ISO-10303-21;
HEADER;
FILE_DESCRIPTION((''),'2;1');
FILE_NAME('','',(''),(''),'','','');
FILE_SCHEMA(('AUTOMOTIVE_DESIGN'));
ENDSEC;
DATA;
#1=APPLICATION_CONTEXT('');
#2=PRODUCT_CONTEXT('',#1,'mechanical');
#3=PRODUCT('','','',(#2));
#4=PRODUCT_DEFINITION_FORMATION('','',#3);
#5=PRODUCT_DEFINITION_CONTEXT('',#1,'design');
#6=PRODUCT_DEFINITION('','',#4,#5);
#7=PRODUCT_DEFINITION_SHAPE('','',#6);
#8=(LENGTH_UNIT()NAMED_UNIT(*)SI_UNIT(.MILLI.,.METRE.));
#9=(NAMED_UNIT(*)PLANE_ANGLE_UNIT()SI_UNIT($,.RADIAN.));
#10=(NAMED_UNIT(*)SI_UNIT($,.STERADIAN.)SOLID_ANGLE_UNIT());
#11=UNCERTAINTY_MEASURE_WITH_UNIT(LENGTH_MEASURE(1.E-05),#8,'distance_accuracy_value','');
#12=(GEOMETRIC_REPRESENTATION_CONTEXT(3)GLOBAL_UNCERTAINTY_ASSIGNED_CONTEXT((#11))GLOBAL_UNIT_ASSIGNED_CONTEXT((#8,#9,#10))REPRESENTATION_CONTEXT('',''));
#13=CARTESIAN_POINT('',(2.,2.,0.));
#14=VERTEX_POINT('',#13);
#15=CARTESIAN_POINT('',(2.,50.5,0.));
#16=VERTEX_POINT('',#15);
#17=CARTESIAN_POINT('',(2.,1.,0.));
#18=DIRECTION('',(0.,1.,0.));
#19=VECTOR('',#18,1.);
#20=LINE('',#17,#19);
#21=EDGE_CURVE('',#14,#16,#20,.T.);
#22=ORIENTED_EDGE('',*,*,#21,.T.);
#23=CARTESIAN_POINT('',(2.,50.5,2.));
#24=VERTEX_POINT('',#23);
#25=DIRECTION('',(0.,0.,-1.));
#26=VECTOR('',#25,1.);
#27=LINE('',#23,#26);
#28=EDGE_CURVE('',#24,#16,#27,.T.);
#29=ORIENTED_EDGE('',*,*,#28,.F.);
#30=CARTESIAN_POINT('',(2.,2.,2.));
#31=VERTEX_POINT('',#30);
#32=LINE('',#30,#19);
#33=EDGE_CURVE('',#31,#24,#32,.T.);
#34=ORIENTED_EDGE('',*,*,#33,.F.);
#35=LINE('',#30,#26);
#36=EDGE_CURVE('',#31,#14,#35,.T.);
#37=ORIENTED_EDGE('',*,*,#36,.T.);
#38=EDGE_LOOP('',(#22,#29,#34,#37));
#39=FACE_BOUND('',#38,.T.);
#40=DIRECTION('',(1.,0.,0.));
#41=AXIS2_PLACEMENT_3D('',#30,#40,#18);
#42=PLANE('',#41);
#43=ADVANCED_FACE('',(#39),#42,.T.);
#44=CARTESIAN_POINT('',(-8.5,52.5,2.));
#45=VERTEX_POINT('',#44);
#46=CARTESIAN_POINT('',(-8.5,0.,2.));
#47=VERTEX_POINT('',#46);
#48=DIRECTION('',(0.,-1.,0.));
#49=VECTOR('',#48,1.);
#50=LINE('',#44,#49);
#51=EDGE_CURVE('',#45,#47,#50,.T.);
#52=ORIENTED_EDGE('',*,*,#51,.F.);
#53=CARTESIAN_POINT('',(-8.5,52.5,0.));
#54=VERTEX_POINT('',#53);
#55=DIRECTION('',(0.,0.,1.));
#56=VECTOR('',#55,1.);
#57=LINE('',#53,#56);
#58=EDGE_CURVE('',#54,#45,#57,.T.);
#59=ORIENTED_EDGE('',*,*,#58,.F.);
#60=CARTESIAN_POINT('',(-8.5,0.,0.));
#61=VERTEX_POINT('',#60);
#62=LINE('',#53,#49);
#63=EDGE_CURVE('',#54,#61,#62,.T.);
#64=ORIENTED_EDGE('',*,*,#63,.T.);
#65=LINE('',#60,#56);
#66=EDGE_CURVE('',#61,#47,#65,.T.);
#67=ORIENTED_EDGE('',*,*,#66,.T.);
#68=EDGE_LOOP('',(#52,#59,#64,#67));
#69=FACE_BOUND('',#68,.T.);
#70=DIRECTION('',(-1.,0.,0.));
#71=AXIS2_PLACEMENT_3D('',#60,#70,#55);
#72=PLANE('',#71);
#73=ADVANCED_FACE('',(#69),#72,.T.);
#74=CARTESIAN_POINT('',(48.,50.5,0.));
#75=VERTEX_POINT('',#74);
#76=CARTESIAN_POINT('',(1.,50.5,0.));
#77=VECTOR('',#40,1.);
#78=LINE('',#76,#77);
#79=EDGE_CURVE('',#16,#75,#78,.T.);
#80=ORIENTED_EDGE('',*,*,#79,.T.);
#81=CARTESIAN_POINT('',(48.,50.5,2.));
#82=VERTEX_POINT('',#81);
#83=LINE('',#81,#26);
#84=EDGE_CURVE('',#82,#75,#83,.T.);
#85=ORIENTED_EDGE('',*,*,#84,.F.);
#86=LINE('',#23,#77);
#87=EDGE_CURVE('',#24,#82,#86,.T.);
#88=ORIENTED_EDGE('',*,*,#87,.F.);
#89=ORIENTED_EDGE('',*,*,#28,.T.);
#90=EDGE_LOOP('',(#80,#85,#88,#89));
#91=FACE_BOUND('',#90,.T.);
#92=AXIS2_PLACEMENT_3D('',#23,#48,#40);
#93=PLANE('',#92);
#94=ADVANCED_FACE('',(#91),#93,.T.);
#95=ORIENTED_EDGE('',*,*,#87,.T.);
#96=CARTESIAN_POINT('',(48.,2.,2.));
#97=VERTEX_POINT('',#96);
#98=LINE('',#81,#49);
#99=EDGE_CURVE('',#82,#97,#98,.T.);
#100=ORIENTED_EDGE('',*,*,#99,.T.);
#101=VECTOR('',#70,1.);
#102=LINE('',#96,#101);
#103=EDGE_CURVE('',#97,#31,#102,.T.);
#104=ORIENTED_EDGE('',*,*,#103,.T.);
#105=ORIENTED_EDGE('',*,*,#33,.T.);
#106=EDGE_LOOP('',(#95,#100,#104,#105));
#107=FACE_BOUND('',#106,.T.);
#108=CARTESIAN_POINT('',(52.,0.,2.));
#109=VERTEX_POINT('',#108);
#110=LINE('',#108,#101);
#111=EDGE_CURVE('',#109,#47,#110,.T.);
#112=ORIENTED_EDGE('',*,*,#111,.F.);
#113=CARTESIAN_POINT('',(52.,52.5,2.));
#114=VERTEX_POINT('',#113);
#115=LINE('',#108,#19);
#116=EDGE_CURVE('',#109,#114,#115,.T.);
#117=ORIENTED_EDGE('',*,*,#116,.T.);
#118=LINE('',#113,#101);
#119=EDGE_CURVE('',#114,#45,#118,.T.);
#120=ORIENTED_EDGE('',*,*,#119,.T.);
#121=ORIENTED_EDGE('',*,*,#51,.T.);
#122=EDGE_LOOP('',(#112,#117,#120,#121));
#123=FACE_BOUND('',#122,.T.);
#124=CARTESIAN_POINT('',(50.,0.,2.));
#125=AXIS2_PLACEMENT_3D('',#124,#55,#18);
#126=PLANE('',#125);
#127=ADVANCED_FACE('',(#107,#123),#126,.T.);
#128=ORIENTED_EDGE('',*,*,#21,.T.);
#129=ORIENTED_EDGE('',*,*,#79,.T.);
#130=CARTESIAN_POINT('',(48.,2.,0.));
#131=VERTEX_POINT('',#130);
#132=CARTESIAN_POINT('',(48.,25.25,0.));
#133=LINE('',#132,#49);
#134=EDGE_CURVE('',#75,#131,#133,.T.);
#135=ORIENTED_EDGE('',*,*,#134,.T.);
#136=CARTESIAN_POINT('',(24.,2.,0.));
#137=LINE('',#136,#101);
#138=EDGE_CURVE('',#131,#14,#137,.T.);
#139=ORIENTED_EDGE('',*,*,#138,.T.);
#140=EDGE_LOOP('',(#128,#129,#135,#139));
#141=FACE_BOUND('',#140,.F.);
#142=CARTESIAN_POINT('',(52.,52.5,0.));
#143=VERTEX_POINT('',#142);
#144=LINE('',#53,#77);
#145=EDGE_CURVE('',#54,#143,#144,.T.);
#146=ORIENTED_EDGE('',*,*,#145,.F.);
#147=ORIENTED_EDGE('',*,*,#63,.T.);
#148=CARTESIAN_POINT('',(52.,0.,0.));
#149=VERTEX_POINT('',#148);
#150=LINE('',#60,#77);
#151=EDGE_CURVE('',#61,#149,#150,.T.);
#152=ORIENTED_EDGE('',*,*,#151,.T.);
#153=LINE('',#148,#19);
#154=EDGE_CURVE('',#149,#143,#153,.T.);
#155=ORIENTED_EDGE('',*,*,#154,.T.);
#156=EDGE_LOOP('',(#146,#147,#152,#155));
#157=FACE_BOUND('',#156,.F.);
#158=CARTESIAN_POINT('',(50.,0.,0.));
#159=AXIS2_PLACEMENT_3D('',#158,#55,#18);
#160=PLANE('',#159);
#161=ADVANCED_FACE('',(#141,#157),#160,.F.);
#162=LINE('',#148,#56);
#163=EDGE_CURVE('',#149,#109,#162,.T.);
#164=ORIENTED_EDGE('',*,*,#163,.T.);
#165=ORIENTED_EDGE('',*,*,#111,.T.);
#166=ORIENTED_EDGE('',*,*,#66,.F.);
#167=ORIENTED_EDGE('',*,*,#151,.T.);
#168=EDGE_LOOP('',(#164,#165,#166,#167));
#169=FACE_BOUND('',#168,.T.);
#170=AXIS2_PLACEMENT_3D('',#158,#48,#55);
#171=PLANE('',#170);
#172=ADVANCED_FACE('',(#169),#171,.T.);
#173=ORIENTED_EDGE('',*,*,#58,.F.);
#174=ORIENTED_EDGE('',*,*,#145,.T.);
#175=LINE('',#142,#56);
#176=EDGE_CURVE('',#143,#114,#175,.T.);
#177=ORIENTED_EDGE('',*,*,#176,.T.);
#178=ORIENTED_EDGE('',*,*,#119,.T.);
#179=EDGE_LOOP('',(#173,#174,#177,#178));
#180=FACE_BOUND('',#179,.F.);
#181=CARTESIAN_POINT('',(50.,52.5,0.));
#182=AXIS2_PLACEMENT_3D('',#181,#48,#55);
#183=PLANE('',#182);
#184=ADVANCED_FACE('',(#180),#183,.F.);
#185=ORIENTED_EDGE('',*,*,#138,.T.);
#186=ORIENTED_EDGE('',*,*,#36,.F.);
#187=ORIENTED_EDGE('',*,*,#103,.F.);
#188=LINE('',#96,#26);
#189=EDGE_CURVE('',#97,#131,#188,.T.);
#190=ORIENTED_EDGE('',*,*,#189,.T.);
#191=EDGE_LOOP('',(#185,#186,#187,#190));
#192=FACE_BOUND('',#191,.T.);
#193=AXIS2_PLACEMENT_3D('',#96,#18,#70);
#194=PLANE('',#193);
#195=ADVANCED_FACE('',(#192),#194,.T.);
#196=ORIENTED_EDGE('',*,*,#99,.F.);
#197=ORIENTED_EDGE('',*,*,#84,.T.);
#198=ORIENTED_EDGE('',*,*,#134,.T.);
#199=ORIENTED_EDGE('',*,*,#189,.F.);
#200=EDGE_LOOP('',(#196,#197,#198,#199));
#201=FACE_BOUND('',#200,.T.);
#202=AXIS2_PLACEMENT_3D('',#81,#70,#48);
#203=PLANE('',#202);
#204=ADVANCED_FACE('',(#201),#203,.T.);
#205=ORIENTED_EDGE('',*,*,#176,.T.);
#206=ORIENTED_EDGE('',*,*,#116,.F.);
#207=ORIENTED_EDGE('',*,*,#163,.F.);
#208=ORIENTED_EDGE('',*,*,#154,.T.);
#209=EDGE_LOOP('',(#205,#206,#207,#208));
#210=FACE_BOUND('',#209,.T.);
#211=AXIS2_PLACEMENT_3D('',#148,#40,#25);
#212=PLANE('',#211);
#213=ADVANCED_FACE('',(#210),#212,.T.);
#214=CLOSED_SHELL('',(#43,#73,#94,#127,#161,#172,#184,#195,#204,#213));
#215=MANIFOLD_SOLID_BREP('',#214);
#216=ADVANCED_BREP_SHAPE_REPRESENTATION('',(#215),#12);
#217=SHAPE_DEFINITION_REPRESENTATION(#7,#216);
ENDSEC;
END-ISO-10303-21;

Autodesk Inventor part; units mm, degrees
ref_plane "YZ Plane" through (0, 0, 0) normal (1, 0, 0) x (0, 1, 0)
ref_plane "XZ Plane" through (0, 0, 0) normal (0, 1, 0) x (-1, 0, 0)
ref_plane "XY Plane" through (0, 0, 0) normal (0, 0, 1) x (1, 0, 0)
sketch "Sketch1" plane through (0, 0, 0) normal (0, 0, 1) x (1, 0, 0)
  line L0 (0, 0) -> (50, 0)
  line L1 (50, 0) -> (50, 52.5)
  line L2 (50, 52.5) -> (0, 52.5)
  line L3 (0, 52.5) -> (0, 0)
  dimension "d0" = 50
  dimension "d1" = 52.5
extrude "Extrusion1" add sketch "Sketch1" along normal blind 2
sketch "Sketch2" plane through (0, 0, 2) normal (0, 0, 1) x (1, 0, 0)
  line L0 (2, 50.5) -> (48, 50.5)
  line L1 (48, 50.5) -> (48, 2)
  line L2 (48, 2) -> (2, 2)
  line L3 (2, 2) -> (2, 50.5)
  dimension "d4" = 46
  dimension "d5" = 48.5
extrude "Extrusion2" cut sketch "Sketch2" against normal blind 10
sketch "Sketch3" plane through (0, 0, 0) normal (-1, 0, 0) x (0, 0, 1)
  line L0 (0, 52.5) -> (0, 0) projected
  line L1 (0, 0) -> (2, 0) projected
  line L2 (2, 52.5) -> (2, 0) projected
  line L3 (0, 52.5) -> (2, 52.5) projected
extrude "Extrusion3" add sketch "Sketch3" along normal blind 8.5
sketch "Sketch4" plane through (50, 0, 0) normal (1, 0, 0) x (0, 0, -1)
  line L0 (0, 0) -> (0, 52.5) projected
  line L1 (0, 52.5) -> (-2, 52.5) projected
  line L2 (-2, 0) -> (-2, 52.5) projected
  line L3 (0, 0) -> (-2, 0) projected
extrude "Extrusion4" add sketch "Sketch4" along normal blind 2
properties part number "Zijplaat 2"
